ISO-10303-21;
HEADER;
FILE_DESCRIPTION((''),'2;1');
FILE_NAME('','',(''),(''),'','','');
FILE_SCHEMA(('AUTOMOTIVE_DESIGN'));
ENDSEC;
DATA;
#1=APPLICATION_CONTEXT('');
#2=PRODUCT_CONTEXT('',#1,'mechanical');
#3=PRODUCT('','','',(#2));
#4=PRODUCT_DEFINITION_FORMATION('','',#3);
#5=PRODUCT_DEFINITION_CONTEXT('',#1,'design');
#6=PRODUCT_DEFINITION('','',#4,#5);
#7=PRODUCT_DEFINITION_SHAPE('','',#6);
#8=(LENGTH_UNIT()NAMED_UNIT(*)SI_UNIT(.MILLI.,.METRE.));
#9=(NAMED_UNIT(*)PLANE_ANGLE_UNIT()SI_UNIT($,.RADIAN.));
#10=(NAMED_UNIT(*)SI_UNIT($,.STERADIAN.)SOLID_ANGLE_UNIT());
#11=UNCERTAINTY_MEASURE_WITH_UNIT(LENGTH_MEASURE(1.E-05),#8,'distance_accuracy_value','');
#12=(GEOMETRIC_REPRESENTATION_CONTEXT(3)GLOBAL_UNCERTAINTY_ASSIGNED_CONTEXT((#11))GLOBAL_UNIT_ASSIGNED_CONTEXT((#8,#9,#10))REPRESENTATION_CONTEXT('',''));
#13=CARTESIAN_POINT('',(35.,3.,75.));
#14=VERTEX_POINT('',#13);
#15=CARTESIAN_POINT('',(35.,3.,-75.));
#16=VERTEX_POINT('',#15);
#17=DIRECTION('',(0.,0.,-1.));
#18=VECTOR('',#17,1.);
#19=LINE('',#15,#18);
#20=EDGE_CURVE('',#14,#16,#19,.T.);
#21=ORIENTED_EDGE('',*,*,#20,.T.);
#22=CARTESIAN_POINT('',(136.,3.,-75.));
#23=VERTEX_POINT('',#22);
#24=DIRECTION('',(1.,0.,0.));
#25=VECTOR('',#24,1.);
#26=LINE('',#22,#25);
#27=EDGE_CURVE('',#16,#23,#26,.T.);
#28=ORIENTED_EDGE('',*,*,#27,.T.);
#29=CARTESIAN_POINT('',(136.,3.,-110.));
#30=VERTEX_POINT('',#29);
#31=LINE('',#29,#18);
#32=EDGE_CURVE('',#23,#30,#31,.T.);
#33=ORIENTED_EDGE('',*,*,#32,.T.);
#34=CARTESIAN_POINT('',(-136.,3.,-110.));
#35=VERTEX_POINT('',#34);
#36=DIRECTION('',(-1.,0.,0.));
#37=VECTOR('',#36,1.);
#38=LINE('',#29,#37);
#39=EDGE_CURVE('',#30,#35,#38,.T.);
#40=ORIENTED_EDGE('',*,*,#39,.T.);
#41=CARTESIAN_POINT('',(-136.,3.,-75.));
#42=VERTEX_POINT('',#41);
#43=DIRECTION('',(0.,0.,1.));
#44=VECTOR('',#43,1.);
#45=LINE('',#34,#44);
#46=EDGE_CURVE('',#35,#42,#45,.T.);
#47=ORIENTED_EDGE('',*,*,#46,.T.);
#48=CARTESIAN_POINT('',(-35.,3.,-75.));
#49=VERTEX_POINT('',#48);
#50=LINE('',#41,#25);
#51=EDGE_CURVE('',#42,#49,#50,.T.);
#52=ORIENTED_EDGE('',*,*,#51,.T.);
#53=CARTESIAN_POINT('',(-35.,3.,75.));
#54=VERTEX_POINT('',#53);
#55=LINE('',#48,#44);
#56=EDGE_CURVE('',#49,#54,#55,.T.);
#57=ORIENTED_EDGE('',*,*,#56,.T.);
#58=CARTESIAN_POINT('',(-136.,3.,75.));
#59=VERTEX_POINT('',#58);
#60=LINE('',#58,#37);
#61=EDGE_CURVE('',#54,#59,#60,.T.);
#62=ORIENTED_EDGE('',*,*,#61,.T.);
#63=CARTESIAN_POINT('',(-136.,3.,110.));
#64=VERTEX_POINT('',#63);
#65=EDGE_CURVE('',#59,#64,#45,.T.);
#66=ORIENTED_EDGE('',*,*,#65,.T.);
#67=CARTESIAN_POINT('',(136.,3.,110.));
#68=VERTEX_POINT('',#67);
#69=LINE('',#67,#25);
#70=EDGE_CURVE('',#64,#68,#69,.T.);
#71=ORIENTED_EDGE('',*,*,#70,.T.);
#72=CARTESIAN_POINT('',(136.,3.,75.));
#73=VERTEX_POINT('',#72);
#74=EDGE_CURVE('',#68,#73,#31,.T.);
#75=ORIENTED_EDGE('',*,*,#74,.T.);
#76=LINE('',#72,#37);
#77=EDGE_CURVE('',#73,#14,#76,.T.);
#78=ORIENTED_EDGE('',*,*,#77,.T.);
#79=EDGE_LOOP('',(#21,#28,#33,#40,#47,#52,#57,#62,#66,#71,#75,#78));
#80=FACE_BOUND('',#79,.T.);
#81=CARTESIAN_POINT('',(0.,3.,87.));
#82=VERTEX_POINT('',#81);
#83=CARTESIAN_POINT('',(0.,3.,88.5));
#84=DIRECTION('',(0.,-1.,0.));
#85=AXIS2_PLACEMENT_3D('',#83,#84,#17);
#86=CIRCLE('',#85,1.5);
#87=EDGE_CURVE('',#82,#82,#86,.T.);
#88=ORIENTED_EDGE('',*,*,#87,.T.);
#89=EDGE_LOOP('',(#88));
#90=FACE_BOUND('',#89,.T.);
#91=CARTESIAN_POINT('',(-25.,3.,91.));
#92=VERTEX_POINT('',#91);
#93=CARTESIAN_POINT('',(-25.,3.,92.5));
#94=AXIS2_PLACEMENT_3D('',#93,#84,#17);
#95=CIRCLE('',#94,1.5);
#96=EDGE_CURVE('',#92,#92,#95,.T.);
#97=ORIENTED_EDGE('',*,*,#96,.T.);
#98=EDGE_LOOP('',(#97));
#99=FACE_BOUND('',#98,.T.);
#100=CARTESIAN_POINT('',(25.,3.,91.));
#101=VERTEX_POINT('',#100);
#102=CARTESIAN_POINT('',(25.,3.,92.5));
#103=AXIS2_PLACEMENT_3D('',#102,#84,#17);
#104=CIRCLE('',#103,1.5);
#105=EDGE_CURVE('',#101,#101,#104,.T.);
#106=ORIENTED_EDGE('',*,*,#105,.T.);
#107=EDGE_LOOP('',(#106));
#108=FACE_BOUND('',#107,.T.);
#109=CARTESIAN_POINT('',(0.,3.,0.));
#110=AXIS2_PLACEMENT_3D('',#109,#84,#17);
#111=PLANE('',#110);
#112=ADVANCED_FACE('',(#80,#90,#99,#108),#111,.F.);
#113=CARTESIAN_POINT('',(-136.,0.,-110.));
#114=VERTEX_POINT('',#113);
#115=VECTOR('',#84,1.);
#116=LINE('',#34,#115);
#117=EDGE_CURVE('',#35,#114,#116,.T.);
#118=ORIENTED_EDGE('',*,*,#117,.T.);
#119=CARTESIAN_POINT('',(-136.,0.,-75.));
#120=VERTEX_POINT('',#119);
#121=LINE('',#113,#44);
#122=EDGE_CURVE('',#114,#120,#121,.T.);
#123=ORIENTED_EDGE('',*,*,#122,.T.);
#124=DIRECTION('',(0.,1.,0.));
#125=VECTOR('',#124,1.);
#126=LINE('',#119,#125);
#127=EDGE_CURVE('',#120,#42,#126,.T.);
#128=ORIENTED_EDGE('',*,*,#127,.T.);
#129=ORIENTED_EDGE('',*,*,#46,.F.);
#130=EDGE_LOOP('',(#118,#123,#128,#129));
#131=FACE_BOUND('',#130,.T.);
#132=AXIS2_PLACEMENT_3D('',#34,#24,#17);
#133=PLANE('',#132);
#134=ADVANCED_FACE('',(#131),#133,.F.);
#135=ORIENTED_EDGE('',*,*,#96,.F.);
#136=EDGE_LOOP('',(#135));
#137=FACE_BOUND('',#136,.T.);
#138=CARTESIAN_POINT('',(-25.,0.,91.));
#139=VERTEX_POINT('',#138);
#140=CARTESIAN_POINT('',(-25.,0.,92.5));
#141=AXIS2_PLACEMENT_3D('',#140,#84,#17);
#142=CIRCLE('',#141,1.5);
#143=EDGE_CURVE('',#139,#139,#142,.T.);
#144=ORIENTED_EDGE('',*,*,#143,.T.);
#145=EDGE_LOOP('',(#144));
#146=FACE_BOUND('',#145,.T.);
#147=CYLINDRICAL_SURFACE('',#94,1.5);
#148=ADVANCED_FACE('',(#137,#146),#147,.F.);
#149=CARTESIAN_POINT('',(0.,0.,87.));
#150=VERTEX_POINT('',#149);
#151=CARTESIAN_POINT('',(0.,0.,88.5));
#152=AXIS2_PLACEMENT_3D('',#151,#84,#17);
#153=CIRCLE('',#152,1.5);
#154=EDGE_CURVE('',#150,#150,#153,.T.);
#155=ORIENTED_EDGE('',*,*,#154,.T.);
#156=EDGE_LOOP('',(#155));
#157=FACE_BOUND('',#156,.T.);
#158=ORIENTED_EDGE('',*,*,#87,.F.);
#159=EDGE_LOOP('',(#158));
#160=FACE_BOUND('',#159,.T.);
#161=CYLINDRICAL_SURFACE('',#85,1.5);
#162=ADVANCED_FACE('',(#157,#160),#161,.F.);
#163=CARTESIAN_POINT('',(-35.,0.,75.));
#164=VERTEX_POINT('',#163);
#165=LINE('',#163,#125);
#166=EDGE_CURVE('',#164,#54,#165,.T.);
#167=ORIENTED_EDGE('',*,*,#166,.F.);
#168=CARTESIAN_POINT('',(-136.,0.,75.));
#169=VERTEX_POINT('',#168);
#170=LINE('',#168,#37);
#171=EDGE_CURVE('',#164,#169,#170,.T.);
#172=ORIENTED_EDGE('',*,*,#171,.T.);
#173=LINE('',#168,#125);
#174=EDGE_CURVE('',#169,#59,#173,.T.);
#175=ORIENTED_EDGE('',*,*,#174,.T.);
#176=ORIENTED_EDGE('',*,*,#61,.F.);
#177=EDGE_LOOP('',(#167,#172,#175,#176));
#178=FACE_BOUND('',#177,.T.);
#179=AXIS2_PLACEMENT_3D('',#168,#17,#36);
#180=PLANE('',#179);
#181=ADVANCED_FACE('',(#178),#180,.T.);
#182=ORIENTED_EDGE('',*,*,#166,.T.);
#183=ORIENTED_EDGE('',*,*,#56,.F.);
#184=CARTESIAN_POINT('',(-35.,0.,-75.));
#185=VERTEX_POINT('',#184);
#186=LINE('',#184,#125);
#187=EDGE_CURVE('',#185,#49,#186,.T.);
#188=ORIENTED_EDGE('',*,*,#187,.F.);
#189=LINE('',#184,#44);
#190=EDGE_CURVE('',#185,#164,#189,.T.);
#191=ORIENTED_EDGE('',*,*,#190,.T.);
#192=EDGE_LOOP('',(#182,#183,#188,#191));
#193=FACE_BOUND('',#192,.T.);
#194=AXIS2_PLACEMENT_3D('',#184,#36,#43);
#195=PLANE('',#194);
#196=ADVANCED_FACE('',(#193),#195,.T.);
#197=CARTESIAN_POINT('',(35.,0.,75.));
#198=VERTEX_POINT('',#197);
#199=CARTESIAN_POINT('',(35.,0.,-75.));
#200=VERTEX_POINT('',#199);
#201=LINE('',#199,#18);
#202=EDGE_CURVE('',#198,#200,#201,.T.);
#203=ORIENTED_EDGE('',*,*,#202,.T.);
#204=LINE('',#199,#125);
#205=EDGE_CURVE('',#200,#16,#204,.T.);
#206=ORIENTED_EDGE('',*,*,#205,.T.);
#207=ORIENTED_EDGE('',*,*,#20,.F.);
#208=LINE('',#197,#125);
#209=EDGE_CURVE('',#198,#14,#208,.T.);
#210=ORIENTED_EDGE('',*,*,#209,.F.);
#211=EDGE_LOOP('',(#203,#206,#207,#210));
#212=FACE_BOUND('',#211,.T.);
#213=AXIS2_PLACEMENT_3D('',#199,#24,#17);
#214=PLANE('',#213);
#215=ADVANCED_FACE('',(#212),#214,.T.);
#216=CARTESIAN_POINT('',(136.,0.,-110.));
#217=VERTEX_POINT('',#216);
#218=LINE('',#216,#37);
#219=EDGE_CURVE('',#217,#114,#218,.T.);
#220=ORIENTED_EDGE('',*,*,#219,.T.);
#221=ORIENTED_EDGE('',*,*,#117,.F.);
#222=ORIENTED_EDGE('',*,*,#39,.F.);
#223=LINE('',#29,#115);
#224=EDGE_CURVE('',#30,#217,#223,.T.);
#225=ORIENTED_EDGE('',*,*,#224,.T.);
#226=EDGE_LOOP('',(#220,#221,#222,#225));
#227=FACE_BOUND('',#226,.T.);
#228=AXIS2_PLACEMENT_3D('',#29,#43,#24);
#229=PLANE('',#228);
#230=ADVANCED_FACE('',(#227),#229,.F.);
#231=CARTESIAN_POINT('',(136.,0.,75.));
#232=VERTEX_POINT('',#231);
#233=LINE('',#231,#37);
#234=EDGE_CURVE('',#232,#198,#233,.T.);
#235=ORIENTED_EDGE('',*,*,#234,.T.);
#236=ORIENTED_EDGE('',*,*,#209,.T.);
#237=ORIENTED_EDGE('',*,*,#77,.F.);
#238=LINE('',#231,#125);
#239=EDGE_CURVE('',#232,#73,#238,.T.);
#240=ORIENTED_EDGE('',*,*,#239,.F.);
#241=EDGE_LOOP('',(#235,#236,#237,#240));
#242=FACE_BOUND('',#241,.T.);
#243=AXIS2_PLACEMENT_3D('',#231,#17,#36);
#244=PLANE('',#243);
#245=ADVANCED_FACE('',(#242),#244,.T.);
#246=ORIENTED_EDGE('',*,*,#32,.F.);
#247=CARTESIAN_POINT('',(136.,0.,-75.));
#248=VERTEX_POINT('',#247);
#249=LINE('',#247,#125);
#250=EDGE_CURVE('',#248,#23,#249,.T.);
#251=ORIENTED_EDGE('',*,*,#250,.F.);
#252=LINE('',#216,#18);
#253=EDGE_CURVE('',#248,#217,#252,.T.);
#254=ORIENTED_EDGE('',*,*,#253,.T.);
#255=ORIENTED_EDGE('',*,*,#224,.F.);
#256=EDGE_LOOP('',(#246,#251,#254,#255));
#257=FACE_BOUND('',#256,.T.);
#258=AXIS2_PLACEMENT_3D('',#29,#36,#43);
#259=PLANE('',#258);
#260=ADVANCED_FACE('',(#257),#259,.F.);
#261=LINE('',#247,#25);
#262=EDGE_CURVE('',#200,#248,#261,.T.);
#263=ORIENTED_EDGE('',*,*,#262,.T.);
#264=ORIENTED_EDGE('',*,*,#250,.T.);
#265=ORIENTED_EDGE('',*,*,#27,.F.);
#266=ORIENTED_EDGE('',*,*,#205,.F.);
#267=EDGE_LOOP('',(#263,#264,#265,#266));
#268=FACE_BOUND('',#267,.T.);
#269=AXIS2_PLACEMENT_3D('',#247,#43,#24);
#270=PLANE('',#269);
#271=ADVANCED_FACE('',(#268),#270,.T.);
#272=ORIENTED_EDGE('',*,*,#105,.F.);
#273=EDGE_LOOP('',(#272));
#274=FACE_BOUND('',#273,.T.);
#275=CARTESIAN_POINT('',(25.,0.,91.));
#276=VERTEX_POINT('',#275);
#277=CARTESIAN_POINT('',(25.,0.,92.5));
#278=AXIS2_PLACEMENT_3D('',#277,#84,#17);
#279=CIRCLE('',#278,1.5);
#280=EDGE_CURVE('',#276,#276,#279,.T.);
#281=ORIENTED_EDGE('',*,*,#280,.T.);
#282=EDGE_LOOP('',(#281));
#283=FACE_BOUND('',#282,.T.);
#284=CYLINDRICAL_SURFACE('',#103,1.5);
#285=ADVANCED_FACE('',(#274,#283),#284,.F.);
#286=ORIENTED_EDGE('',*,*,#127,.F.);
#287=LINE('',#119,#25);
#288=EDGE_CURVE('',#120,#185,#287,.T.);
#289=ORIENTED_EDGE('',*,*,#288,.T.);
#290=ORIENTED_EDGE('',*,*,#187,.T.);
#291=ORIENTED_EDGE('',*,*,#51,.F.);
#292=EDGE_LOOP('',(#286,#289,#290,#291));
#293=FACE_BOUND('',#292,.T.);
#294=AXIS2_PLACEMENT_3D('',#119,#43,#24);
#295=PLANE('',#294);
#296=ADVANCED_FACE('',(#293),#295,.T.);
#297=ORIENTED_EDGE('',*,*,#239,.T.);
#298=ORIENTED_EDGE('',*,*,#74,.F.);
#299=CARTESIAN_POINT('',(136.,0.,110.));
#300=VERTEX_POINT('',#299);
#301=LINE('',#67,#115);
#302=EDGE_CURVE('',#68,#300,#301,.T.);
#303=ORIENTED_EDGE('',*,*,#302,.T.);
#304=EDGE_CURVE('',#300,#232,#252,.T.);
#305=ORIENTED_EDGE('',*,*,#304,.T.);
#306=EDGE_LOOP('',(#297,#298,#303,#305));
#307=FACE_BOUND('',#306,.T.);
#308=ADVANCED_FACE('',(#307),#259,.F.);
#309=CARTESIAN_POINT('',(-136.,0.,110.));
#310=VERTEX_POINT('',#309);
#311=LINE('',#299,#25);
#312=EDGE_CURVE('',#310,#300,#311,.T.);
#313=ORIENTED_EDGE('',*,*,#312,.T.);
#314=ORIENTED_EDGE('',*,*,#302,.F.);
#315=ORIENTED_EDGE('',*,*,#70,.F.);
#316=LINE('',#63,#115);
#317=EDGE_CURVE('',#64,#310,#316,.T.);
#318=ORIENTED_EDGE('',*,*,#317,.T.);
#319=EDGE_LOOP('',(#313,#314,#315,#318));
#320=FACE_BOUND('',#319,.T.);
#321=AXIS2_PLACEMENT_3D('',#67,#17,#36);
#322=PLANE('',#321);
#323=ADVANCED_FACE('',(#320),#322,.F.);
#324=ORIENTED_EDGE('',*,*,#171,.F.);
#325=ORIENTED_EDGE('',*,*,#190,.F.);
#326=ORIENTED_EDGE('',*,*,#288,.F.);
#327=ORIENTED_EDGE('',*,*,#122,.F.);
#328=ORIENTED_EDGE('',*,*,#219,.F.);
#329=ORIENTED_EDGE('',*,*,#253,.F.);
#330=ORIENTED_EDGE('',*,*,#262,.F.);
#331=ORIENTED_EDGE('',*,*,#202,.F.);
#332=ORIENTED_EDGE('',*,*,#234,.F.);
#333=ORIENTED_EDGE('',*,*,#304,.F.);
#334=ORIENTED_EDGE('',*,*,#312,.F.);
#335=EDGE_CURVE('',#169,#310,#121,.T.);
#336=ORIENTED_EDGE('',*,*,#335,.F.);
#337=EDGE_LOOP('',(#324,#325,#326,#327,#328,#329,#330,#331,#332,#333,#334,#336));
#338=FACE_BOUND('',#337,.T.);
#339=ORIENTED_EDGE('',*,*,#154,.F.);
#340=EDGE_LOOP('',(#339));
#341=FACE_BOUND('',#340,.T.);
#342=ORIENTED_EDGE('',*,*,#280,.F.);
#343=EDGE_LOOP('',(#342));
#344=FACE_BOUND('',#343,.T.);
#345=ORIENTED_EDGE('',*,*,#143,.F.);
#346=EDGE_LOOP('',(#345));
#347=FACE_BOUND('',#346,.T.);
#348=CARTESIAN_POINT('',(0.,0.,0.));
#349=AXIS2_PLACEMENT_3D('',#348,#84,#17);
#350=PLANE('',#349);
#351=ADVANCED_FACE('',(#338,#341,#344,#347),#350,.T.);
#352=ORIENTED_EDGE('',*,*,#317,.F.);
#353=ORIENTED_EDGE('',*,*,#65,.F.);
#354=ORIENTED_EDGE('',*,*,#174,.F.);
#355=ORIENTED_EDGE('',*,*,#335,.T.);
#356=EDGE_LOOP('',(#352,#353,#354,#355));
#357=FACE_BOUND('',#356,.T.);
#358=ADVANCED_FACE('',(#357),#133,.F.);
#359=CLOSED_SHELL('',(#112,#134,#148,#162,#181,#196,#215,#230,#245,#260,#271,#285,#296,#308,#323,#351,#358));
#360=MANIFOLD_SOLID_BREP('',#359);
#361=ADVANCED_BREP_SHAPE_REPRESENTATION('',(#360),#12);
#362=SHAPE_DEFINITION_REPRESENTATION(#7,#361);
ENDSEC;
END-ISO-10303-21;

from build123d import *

# Parameters (mm, degrees)
SKETCH1_W           = 272
SKETCH1_H           = 220
BOSS_EXTRUDE1_DEPTH = 3
SKETCH2_OUTSIDE_W   = 343.97
SKETCH2_OUTSIDE_H   = 291.97
CUT_EXTRUDE1_DEPTH  = 175.94284781
SKETCH3_R           = 1.5
CUT_EXTRUDE2_DEPTH  = 175.94284781
SKETCH5_R           = 1.5
CUT_EXTRUDE4_DEPTH  = 175.94284781


with BuildPart() as part:
    # Sketch1 → Boss-Extrude1 (new body)
    with BuildSketch(Plane(origin=(0, 0, 0), x_dir=(1, 0, 0), z_dir=(0, 1, 0))):
        Rectangle(SKETCH1_W, SKETCH1_H)
    extrude(amount=BOSS_EXTRUDE1_DEPTH)

    # Sketch2 outside → Cut-Extrude1 (cut, through all)
    with BuildSketch(Plane(origin=(0, 3, 0), x_dir=(1, 0, 0), z_dir=(0, 1, 0))):
        Rectangle(SKETCH2_OUTSIDE_W, SKETCH2_OUTSIDE_H)
        Polygon((-136, 110), (136, 110), (136, 75), (35, 75), (35, -75), (136, -75), (136, -110), (-136, -110), (-136, -75), (-35, -75), (-35, 75), (-136, 75), align=None, mode=Mode.SUBTRACT)
    extrude(amount=-CUT_EXTRUDE1_DEPTH, mode=Mode.SUBTRACT)

    # Sketch3 → Cut-Extrude2 (cut, through all)
    with BuildSketch(Plane.XZ):
        with Locations(Location((25, 92.5, 0), (0, 0, 270))):
            Circle(SKETCH3_R)
        with Locations(Location((-25, 92.5, 0), (0, 0, 270))):
            Circle(SKETCH3_R)
    extrude(amount=-CUT_EXTRUDE2_DEPTH, mode=Mode.SUBTRACT)

    # Sketch5 → Cut-Extrude4 (cut, through all)
    with BuildSketch(Plane.XZ):
        with Locations(Location((0, 88.5, 0), (0, 0, 270))):
            Circle(SKETCH5_R)
    extrude(amount=-CUT_EXTRUDE4_DEPTH, mode=Mode.SUBTRACT)


solid = part.part
